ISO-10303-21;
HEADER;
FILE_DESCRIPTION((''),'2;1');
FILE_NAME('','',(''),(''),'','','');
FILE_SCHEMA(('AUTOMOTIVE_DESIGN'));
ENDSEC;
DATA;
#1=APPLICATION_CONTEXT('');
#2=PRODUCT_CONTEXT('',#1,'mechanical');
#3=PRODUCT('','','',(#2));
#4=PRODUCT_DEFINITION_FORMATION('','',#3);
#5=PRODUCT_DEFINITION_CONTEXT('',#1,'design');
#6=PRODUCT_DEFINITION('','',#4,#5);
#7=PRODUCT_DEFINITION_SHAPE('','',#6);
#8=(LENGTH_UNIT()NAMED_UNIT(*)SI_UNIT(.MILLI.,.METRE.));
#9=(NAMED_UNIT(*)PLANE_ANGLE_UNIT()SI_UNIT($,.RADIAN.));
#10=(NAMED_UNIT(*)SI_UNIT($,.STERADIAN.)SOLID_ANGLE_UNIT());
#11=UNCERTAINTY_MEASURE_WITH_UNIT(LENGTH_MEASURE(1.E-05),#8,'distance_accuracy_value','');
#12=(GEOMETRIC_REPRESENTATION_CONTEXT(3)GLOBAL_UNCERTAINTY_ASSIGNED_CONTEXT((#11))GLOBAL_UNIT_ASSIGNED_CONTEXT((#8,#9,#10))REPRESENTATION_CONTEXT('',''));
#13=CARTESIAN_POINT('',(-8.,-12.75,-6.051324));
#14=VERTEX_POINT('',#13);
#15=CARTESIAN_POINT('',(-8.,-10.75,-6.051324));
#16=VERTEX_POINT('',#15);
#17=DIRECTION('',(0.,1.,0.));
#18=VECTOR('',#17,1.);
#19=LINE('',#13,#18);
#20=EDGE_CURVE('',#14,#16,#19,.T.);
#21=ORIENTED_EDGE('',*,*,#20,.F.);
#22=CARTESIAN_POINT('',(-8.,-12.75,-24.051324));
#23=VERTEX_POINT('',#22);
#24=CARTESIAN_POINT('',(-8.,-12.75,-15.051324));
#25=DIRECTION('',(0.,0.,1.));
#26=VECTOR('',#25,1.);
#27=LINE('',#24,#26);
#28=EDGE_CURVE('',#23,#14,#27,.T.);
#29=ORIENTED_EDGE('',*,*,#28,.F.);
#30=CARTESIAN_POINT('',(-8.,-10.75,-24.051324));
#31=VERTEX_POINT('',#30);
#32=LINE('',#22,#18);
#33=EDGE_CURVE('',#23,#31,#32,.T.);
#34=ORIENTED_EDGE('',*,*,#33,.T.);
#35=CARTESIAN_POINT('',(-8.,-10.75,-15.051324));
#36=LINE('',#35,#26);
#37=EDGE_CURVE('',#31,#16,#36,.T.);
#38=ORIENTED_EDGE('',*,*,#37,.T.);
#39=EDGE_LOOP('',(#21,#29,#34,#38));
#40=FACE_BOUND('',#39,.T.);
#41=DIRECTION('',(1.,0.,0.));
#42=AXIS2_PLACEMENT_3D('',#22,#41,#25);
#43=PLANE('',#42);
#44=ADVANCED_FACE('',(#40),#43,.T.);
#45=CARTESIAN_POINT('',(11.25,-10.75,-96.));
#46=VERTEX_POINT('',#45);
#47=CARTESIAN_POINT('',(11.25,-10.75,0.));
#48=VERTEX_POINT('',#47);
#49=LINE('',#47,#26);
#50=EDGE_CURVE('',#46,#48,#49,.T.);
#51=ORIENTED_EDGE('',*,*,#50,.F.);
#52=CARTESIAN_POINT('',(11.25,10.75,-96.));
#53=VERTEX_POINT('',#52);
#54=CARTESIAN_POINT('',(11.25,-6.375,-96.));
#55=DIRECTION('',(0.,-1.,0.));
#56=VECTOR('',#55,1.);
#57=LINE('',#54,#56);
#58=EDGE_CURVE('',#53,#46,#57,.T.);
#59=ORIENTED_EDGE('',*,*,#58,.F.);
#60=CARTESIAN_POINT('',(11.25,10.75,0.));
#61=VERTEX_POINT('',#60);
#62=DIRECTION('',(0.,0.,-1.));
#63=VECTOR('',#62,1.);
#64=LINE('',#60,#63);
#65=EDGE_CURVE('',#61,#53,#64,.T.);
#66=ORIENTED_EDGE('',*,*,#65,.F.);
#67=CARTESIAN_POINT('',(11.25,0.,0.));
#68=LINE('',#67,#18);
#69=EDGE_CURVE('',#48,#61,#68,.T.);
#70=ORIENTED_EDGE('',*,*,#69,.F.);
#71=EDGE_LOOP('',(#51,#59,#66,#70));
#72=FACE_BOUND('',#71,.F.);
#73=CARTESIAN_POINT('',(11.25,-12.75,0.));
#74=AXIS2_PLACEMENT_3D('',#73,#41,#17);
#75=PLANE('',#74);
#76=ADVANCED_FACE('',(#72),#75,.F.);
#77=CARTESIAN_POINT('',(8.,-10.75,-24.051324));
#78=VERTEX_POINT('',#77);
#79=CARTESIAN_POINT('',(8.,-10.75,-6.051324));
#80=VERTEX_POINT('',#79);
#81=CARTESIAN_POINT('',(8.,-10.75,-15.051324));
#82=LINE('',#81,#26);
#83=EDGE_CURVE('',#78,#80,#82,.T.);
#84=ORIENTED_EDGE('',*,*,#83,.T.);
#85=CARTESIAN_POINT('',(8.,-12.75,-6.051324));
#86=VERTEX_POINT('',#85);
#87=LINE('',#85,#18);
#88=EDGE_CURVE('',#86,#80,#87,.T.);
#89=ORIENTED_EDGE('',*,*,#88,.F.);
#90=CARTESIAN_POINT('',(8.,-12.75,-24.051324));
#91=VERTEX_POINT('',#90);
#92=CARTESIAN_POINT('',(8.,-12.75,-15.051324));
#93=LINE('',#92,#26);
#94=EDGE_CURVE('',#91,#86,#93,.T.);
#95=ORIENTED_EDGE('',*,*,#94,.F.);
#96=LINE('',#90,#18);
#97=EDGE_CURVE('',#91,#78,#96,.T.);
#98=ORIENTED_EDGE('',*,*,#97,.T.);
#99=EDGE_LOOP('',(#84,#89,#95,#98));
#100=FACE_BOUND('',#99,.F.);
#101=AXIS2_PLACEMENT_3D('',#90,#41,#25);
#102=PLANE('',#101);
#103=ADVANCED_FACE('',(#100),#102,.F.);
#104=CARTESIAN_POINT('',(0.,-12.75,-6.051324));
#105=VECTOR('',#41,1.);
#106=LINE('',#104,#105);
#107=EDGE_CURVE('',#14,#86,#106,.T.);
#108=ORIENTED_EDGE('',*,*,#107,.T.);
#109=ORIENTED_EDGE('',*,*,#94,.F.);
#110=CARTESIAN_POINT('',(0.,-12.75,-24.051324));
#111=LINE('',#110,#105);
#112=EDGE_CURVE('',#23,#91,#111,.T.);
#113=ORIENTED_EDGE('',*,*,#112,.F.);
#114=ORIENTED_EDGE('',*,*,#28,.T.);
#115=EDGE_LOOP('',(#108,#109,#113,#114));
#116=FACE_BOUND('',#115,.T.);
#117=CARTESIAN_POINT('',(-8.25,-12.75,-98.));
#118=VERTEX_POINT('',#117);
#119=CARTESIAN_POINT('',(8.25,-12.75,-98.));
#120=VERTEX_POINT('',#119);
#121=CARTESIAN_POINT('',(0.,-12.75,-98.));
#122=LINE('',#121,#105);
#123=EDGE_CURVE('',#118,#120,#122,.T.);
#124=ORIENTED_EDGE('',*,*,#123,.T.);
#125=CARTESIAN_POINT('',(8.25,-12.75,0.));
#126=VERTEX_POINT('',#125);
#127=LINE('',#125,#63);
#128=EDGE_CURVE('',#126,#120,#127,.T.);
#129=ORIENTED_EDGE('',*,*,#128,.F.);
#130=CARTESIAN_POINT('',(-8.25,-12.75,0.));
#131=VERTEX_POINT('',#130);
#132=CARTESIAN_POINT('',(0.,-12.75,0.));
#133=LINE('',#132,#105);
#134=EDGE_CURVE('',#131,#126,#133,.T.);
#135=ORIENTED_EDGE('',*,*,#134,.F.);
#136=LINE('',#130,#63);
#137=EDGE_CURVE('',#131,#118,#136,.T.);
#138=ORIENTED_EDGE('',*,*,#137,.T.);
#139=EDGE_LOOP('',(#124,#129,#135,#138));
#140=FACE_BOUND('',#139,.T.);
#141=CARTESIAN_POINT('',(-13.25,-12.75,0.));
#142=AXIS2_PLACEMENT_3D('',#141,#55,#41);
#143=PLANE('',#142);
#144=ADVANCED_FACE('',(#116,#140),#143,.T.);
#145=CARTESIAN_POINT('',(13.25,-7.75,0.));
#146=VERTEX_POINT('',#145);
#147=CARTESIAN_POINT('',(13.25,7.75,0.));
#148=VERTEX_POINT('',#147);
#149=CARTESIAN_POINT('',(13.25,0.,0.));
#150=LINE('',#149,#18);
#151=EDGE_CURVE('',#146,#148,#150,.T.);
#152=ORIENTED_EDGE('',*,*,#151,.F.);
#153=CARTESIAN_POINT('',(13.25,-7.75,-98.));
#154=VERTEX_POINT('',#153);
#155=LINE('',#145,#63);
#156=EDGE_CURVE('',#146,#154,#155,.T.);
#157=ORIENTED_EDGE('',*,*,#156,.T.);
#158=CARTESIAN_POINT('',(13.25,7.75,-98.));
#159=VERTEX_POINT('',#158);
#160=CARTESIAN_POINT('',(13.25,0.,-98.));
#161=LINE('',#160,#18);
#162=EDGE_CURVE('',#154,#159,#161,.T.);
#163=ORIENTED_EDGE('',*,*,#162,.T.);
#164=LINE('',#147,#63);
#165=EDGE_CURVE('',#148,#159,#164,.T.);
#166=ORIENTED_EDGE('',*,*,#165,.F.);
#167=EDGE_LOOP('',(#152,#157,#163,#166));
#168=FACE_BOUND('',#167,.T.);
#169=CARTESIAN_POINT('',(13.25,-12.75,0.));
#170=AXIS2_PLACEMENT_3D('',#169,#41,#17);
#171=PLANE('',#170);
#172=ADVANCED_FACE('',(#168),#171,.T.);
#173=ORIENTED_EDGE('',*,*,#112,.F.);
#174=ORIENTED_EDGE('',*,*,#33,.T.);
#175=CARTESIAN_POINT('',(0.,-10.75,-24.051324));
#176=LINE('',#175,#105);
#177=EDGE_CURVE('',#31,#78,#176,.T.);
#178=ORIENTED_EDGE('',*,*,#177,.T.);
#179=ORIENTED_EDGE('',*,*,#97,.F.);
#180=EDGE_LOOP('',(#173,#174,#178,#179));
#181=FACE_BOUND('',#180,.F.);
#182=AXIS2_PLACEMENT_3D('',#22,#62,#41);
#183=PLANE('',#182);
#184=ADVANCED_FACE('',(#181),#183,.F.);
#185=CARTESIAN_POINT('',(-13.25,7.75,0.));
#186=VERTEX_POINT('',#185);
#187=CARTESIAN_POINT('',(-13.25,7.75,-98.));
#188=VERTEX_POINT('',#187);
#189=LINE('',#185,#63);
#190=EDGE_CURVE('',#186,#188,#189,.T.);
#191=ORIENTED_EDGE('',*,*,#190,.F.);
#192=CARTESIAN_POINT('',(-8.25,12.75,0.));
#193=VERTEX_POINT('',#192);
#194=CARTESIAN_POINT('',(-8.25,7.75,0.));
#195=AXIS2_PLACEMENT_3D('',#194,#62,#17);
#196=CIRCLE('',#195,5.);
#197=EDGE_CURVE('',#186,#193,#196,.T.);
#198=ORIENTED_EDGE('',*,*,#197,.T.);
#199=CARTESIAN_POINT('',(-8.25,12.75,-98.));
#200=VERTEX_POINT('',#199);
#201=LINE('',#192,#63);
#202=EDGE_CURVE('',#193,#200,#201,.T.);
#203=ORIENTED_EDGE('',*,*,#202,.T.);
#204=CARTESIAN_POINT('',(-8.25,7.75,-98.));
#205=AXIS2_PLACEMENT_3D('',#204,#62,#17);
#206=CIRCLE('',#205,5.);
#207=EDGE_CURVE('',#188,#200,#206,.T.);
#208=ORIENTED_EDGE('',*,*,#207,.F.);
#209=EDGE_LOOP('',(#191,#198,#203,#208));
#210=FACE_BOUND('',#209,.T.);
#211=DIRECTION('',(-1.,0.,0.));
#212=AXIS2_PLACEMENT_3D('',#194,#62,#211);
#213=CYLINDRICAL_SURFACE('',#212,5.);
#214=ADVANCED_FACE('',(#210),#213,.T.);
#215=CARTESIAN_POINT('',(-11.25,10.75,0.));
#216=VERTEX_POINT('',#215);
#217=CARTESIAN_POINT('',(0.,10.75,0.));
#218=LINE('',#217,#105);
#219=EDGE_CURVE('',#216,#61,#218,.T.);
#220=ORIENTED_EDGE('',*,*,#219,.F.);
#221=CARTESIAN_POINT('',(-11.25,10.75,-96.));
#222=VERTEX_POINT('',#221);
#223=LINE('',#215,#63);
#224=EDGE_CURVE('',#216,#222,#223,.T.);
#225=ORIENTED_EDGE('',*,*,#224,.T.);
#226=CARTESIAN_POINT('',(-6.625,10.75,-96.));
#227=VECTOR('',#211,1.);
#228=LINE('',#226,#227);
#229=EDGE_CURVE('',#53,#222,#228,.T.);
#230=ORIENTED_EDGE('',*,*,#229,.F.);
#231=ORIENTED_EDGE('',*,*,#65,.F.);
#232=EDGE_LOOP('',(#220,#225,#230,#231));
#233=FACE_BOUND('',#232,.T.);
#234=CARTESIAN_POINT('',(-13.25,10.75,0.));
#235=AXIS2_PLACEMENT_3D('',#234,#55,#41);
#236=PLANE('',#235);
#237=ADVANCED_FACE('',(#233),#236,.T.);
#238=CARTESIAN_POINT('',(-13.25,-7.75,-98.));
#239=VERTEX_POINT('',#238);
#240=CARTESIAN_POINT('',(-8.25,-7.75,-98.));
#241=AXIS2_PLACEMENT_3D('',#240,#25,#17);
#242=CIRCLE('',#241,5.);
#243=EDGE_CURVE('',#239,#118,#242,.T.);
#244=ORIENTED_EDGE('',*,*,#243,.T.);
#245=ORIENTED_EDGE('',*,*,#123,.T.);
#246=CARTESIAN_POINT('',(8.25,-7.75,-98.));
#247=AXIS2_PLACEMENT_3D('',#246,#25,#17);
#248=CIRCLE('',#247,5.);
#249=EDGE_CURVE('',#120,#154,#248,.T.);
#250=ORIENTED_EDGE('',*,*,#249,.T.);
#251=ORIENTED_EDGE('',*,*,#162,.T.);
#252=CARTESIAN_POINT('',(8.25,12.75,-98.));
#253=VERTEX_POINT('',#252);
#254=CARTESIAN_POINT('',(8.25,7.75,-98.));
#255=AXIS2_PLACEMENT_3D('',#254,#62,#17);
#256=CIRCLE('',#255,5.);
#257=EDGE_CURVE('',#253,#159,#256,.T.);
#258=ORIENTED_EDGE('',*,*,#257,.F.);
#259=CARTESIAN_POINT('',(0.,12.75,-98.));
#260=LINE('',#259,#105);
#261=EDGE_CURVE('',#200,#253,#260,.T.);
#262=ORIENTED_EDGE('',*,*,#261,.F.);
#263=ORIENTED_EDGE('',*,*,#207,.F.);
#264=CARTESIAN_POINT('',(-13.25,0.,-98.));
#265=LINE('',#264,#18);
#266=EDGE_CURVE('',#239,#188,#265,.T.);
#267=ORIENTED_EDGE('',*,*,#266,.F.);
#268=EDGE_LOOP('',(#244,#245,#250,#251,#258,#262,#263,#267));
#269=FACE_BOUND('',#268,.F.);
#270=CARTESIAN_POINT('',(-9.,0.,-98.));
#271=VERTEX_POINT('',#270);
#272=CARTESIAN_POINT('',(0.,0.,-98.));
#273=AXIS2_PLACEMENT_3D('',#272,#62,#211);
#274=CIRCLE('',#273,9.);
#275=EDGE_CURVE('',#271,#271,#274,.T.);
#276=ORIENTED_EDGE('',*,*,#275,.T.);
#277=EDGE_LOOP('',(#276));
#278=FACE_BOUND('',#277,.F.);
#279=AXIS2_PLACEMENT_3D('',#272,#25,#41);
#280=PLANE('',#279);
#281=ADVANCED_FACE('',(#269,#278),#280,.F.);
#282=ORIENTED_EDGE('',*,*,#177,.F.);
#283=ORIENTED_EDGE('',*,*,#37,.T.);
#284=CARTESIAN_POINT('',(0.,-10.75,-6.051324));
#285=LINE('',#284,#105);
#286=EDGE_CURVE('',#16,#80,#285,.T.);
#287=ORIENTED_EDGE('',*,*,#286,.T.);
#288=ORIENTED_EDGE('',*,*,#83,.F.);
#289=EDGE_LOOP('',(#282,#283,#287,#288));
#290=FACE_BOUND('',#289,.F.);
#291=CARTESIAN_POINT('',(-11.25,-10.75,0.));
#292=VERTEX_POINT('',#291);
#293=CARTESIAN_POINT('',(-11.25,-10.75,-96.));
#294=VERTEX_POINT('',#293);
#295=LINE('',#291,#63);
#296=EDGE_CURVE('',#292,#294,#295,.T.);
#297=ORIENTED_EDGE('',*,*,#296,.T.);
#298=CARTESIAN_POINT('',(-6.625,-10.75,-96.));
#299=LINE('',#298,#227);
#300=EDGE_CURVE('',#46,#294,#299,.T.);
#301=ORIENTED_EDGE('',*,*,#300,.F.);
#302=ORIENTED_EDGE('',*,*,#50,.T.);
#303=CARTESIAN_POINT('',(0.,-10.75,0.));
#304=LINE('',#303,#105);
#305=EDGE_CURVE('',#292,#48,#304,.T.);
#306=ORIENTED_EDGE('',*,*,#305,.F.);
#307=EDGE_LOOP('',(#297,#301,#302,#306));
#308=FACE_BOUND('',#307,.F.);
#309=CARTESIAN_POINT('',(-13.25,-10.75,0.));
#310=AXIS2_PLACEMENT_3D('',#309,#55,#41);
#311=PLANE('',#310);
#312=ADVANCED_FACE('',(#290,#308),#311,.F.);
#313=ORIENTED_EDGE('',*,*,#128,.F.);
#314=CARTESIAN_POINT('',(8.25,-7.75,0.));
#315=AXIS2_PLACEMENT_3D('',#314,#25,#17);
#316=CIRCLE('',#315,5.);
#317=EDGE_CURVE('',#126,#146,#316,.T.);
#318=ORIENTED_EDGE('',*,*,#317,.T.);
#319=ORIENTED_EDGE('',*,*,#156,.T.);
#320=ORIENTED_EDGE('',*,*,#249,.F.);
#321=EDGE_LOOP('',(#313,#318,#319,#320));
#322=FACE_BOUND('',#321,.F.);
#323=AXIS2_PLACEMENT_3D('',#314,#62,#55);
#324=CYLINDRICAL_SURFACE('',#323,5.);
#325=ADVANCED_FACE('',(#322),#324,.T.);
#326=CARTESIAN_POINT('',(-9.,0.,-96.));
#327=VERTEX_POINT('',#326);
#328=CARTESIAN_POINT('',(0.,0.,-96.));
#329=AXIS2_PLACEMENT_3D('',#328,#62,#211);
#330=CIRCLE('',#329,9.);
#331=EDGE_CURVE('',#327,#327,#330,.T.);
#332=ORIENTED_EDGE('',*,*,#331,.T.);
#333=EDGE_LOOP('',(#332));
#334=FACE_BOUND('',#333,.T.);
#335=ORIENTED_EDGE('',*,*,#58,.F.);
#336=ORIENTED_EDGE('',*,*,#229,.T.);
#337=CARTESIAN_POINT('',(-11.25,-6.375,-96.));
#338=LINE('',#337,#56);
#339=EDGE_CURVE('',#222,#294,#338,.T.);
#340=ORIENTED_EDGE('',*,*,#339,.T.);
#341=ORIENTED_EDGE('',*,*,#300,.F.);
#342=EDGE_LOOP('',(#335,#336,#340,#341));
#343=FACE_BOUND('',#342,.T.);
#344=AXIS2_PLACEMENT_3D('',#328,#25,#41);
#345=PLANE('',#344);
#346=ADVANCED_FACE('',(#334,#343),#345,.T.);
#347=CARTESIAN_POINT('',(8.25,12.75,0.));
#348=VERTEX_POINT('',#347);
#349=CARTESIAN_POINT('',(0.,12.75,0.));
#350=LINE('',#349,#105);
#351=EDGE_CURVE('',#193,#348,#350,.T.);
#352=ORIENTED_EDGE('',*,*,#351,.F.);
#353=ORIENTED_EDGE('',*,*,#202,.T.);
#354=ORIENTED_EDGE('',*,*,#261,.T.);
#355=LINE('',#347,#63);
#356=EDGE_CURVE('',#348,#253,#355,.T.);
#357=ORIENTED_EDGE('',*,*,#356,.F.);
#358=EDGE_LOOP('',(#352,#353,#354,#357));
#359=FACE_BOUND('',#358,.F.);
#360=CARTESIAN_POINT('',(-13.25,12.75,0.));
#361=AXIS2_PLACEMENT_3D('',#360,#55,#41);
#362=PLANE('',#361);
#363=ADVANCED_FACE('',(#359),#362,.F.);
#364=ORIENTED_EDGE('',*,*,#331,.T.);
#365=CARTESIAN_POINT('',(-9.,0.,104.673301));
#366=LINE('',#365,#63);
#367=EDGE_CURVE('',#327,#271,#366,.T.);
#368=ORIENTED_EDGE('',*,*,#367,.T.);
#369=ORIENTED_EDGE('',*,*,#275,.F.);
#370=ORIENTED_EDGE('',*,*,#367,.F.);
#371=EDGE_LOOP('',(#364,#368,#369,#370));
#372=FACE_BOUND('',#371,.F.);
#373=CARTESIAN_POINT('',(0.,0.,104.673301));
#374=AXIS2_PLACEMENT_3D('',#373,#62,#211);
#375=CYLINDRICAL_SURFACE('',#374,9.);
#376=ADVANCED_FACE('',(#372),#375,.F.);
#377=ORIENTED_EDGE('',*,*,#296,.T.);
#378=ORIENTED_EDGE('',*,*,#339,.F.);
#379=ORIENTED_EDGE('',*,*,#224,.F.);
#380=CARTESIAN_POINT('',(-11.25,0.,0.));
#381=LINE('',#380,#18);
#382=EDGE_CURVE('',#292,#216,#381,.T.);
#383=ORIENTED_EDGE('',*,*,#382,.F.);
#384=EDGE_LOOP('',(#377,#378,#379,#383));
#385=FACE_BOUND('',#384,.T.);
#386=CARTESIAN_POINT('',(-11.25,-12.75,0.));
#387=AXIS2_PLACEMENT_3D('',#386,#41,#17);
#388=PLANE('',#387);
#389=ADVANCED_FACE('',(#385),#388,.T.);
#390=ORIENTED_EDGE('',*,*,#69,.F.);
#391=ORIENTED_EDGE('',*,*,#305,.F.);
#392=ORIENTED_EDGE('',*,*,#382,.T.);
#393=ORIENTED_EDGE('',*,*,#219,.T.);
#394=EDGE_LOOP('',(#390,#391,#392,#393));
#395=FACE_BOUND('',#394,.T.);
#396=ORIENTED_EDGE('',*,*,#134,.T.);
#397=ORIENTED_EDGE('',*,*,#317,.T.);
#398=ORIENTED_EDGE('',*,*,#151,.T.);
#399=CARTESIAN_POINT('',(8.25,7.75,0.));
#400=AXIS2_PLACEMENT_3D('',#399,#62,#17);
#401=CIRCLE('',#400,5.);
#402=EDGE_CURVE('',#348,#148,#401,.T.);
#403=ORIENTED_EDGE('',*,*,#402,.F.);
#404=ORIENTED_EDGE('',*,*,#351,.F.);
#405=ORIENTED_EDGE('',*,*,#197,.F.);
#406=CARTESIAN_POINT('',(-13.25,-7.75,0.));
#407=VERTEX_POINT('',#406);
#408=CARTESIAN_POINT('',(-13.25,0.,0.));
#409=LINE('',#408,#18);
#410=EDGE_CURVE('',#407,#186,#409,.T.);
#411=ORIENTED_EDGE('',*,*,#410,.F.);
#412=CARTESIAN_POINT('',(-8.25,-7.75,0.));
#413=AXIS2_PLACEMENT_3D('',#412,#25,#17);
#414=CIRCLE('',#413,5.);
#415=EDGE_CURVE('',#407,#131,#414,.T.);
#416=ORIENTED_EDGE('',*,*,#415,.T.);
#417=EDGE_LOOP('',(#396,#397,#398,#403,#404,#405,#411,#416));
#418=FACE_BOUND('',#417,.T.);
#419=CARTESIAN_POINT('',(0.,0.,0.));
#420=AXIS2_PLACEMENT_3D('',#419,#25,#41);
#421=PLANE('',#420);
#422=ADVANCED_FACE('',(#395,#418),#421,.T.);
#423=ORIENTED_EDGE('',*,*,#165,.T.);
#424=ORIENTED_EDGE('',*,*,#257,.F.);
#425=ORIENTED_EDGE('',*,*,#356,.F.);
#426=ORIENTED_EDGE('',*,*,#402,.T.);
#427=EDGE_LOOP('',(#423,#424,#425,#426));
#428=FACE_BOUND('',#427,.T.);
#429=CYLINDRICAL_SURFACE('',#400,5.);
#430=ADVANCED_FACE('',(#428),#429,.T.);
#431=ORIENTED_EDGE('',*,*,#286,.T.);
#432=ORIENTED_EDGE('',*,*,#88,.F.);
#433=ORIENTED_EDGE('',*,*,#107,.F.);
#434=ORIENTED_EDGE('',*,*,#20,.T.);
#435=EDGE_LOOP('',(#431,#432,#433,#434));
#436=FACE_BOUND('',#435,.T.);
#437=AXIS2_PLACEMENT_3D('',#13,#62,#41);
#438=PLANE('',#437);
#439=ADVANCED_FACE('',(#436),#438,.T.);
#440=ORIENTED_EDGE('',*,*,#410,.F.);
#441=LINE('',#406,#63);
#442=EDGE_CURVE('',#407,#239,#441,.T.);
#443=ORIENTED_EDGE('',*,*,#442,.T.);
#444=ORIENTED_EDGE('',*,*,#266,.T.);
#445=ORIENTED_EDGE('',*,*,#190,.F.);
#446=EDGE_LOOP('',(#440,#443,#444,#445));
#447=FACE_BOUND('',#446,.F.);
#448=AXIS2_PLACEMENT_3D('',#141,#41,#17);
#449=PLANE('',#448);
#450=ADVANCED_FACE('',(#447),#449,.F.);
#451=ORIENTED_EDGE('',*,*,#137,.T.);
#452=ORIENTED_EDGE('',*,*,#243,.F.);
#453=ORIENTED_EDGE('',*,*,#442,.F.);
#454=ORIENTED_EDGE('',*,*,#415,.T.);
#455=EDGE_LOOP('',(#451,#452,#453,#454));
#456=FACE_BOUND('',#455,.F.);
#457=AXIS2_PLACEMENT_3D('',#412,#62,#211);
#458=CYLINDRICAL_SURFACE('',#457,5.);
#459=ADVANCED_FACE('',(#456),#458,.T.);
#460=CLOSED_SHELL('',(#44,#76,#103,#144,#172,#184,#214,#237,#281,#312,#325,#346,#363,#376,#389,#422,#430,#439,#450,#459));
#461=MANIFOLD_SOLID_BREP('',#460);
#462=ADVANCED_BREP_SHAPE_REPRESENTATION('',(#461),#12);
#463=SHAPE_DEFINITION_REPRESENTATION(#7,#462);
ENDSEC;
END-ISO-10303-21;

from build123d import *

# Parameters (mm, degrees)
F0_W     = 26.5
F0_H     = 25.5
F1_DEPTH = 98
F2_T     = -2
F4_D     = 18
F5_W     = 16
F5_H     = 18
F6_DEPTH = 2
F7_R     = 5


with BuildPart() as f1:
    # F0 (on Top) → F1 (new body)
    with BuildSketch(Plane.XY):
        Rectangle(F0_W, F0_H)
    extrude(amount=-F1_DEPTH)

    # F2
    f2_openings = [f1.faces().sort_by_distance(p)[0] for p in [
        (0, 0, 0),
    ]]
    offset(amount=F2_T, openings=f2_openings)

    # F4 (through all)
    with Locations(Plane.XY):
        with Locations((0, 0)):
            Hole(F4_D / 2)

    # F5 (on face) → F6 (cut)
    with BuildSketch(Plane.XZ.offset(12.75)):
        with Locations((0, -15.051324)):
            Rectangle(F5_W, F5_H)
    extrude(amount=-F6_DEPTH, mode=Mode.SUBTRACT)

    # F7
    f7_edges = [f1.edges().sort_by_distance(p)[0] for p in [
        (13.25, -12.75, -49),
        (13.25, 12.75, -49),
        (-13.25, -12.75, -49),
        (-13.25, 12.75, -49),
    ]]
    fillet(f7_edges, radius=F7_R)


solid = f1.part
